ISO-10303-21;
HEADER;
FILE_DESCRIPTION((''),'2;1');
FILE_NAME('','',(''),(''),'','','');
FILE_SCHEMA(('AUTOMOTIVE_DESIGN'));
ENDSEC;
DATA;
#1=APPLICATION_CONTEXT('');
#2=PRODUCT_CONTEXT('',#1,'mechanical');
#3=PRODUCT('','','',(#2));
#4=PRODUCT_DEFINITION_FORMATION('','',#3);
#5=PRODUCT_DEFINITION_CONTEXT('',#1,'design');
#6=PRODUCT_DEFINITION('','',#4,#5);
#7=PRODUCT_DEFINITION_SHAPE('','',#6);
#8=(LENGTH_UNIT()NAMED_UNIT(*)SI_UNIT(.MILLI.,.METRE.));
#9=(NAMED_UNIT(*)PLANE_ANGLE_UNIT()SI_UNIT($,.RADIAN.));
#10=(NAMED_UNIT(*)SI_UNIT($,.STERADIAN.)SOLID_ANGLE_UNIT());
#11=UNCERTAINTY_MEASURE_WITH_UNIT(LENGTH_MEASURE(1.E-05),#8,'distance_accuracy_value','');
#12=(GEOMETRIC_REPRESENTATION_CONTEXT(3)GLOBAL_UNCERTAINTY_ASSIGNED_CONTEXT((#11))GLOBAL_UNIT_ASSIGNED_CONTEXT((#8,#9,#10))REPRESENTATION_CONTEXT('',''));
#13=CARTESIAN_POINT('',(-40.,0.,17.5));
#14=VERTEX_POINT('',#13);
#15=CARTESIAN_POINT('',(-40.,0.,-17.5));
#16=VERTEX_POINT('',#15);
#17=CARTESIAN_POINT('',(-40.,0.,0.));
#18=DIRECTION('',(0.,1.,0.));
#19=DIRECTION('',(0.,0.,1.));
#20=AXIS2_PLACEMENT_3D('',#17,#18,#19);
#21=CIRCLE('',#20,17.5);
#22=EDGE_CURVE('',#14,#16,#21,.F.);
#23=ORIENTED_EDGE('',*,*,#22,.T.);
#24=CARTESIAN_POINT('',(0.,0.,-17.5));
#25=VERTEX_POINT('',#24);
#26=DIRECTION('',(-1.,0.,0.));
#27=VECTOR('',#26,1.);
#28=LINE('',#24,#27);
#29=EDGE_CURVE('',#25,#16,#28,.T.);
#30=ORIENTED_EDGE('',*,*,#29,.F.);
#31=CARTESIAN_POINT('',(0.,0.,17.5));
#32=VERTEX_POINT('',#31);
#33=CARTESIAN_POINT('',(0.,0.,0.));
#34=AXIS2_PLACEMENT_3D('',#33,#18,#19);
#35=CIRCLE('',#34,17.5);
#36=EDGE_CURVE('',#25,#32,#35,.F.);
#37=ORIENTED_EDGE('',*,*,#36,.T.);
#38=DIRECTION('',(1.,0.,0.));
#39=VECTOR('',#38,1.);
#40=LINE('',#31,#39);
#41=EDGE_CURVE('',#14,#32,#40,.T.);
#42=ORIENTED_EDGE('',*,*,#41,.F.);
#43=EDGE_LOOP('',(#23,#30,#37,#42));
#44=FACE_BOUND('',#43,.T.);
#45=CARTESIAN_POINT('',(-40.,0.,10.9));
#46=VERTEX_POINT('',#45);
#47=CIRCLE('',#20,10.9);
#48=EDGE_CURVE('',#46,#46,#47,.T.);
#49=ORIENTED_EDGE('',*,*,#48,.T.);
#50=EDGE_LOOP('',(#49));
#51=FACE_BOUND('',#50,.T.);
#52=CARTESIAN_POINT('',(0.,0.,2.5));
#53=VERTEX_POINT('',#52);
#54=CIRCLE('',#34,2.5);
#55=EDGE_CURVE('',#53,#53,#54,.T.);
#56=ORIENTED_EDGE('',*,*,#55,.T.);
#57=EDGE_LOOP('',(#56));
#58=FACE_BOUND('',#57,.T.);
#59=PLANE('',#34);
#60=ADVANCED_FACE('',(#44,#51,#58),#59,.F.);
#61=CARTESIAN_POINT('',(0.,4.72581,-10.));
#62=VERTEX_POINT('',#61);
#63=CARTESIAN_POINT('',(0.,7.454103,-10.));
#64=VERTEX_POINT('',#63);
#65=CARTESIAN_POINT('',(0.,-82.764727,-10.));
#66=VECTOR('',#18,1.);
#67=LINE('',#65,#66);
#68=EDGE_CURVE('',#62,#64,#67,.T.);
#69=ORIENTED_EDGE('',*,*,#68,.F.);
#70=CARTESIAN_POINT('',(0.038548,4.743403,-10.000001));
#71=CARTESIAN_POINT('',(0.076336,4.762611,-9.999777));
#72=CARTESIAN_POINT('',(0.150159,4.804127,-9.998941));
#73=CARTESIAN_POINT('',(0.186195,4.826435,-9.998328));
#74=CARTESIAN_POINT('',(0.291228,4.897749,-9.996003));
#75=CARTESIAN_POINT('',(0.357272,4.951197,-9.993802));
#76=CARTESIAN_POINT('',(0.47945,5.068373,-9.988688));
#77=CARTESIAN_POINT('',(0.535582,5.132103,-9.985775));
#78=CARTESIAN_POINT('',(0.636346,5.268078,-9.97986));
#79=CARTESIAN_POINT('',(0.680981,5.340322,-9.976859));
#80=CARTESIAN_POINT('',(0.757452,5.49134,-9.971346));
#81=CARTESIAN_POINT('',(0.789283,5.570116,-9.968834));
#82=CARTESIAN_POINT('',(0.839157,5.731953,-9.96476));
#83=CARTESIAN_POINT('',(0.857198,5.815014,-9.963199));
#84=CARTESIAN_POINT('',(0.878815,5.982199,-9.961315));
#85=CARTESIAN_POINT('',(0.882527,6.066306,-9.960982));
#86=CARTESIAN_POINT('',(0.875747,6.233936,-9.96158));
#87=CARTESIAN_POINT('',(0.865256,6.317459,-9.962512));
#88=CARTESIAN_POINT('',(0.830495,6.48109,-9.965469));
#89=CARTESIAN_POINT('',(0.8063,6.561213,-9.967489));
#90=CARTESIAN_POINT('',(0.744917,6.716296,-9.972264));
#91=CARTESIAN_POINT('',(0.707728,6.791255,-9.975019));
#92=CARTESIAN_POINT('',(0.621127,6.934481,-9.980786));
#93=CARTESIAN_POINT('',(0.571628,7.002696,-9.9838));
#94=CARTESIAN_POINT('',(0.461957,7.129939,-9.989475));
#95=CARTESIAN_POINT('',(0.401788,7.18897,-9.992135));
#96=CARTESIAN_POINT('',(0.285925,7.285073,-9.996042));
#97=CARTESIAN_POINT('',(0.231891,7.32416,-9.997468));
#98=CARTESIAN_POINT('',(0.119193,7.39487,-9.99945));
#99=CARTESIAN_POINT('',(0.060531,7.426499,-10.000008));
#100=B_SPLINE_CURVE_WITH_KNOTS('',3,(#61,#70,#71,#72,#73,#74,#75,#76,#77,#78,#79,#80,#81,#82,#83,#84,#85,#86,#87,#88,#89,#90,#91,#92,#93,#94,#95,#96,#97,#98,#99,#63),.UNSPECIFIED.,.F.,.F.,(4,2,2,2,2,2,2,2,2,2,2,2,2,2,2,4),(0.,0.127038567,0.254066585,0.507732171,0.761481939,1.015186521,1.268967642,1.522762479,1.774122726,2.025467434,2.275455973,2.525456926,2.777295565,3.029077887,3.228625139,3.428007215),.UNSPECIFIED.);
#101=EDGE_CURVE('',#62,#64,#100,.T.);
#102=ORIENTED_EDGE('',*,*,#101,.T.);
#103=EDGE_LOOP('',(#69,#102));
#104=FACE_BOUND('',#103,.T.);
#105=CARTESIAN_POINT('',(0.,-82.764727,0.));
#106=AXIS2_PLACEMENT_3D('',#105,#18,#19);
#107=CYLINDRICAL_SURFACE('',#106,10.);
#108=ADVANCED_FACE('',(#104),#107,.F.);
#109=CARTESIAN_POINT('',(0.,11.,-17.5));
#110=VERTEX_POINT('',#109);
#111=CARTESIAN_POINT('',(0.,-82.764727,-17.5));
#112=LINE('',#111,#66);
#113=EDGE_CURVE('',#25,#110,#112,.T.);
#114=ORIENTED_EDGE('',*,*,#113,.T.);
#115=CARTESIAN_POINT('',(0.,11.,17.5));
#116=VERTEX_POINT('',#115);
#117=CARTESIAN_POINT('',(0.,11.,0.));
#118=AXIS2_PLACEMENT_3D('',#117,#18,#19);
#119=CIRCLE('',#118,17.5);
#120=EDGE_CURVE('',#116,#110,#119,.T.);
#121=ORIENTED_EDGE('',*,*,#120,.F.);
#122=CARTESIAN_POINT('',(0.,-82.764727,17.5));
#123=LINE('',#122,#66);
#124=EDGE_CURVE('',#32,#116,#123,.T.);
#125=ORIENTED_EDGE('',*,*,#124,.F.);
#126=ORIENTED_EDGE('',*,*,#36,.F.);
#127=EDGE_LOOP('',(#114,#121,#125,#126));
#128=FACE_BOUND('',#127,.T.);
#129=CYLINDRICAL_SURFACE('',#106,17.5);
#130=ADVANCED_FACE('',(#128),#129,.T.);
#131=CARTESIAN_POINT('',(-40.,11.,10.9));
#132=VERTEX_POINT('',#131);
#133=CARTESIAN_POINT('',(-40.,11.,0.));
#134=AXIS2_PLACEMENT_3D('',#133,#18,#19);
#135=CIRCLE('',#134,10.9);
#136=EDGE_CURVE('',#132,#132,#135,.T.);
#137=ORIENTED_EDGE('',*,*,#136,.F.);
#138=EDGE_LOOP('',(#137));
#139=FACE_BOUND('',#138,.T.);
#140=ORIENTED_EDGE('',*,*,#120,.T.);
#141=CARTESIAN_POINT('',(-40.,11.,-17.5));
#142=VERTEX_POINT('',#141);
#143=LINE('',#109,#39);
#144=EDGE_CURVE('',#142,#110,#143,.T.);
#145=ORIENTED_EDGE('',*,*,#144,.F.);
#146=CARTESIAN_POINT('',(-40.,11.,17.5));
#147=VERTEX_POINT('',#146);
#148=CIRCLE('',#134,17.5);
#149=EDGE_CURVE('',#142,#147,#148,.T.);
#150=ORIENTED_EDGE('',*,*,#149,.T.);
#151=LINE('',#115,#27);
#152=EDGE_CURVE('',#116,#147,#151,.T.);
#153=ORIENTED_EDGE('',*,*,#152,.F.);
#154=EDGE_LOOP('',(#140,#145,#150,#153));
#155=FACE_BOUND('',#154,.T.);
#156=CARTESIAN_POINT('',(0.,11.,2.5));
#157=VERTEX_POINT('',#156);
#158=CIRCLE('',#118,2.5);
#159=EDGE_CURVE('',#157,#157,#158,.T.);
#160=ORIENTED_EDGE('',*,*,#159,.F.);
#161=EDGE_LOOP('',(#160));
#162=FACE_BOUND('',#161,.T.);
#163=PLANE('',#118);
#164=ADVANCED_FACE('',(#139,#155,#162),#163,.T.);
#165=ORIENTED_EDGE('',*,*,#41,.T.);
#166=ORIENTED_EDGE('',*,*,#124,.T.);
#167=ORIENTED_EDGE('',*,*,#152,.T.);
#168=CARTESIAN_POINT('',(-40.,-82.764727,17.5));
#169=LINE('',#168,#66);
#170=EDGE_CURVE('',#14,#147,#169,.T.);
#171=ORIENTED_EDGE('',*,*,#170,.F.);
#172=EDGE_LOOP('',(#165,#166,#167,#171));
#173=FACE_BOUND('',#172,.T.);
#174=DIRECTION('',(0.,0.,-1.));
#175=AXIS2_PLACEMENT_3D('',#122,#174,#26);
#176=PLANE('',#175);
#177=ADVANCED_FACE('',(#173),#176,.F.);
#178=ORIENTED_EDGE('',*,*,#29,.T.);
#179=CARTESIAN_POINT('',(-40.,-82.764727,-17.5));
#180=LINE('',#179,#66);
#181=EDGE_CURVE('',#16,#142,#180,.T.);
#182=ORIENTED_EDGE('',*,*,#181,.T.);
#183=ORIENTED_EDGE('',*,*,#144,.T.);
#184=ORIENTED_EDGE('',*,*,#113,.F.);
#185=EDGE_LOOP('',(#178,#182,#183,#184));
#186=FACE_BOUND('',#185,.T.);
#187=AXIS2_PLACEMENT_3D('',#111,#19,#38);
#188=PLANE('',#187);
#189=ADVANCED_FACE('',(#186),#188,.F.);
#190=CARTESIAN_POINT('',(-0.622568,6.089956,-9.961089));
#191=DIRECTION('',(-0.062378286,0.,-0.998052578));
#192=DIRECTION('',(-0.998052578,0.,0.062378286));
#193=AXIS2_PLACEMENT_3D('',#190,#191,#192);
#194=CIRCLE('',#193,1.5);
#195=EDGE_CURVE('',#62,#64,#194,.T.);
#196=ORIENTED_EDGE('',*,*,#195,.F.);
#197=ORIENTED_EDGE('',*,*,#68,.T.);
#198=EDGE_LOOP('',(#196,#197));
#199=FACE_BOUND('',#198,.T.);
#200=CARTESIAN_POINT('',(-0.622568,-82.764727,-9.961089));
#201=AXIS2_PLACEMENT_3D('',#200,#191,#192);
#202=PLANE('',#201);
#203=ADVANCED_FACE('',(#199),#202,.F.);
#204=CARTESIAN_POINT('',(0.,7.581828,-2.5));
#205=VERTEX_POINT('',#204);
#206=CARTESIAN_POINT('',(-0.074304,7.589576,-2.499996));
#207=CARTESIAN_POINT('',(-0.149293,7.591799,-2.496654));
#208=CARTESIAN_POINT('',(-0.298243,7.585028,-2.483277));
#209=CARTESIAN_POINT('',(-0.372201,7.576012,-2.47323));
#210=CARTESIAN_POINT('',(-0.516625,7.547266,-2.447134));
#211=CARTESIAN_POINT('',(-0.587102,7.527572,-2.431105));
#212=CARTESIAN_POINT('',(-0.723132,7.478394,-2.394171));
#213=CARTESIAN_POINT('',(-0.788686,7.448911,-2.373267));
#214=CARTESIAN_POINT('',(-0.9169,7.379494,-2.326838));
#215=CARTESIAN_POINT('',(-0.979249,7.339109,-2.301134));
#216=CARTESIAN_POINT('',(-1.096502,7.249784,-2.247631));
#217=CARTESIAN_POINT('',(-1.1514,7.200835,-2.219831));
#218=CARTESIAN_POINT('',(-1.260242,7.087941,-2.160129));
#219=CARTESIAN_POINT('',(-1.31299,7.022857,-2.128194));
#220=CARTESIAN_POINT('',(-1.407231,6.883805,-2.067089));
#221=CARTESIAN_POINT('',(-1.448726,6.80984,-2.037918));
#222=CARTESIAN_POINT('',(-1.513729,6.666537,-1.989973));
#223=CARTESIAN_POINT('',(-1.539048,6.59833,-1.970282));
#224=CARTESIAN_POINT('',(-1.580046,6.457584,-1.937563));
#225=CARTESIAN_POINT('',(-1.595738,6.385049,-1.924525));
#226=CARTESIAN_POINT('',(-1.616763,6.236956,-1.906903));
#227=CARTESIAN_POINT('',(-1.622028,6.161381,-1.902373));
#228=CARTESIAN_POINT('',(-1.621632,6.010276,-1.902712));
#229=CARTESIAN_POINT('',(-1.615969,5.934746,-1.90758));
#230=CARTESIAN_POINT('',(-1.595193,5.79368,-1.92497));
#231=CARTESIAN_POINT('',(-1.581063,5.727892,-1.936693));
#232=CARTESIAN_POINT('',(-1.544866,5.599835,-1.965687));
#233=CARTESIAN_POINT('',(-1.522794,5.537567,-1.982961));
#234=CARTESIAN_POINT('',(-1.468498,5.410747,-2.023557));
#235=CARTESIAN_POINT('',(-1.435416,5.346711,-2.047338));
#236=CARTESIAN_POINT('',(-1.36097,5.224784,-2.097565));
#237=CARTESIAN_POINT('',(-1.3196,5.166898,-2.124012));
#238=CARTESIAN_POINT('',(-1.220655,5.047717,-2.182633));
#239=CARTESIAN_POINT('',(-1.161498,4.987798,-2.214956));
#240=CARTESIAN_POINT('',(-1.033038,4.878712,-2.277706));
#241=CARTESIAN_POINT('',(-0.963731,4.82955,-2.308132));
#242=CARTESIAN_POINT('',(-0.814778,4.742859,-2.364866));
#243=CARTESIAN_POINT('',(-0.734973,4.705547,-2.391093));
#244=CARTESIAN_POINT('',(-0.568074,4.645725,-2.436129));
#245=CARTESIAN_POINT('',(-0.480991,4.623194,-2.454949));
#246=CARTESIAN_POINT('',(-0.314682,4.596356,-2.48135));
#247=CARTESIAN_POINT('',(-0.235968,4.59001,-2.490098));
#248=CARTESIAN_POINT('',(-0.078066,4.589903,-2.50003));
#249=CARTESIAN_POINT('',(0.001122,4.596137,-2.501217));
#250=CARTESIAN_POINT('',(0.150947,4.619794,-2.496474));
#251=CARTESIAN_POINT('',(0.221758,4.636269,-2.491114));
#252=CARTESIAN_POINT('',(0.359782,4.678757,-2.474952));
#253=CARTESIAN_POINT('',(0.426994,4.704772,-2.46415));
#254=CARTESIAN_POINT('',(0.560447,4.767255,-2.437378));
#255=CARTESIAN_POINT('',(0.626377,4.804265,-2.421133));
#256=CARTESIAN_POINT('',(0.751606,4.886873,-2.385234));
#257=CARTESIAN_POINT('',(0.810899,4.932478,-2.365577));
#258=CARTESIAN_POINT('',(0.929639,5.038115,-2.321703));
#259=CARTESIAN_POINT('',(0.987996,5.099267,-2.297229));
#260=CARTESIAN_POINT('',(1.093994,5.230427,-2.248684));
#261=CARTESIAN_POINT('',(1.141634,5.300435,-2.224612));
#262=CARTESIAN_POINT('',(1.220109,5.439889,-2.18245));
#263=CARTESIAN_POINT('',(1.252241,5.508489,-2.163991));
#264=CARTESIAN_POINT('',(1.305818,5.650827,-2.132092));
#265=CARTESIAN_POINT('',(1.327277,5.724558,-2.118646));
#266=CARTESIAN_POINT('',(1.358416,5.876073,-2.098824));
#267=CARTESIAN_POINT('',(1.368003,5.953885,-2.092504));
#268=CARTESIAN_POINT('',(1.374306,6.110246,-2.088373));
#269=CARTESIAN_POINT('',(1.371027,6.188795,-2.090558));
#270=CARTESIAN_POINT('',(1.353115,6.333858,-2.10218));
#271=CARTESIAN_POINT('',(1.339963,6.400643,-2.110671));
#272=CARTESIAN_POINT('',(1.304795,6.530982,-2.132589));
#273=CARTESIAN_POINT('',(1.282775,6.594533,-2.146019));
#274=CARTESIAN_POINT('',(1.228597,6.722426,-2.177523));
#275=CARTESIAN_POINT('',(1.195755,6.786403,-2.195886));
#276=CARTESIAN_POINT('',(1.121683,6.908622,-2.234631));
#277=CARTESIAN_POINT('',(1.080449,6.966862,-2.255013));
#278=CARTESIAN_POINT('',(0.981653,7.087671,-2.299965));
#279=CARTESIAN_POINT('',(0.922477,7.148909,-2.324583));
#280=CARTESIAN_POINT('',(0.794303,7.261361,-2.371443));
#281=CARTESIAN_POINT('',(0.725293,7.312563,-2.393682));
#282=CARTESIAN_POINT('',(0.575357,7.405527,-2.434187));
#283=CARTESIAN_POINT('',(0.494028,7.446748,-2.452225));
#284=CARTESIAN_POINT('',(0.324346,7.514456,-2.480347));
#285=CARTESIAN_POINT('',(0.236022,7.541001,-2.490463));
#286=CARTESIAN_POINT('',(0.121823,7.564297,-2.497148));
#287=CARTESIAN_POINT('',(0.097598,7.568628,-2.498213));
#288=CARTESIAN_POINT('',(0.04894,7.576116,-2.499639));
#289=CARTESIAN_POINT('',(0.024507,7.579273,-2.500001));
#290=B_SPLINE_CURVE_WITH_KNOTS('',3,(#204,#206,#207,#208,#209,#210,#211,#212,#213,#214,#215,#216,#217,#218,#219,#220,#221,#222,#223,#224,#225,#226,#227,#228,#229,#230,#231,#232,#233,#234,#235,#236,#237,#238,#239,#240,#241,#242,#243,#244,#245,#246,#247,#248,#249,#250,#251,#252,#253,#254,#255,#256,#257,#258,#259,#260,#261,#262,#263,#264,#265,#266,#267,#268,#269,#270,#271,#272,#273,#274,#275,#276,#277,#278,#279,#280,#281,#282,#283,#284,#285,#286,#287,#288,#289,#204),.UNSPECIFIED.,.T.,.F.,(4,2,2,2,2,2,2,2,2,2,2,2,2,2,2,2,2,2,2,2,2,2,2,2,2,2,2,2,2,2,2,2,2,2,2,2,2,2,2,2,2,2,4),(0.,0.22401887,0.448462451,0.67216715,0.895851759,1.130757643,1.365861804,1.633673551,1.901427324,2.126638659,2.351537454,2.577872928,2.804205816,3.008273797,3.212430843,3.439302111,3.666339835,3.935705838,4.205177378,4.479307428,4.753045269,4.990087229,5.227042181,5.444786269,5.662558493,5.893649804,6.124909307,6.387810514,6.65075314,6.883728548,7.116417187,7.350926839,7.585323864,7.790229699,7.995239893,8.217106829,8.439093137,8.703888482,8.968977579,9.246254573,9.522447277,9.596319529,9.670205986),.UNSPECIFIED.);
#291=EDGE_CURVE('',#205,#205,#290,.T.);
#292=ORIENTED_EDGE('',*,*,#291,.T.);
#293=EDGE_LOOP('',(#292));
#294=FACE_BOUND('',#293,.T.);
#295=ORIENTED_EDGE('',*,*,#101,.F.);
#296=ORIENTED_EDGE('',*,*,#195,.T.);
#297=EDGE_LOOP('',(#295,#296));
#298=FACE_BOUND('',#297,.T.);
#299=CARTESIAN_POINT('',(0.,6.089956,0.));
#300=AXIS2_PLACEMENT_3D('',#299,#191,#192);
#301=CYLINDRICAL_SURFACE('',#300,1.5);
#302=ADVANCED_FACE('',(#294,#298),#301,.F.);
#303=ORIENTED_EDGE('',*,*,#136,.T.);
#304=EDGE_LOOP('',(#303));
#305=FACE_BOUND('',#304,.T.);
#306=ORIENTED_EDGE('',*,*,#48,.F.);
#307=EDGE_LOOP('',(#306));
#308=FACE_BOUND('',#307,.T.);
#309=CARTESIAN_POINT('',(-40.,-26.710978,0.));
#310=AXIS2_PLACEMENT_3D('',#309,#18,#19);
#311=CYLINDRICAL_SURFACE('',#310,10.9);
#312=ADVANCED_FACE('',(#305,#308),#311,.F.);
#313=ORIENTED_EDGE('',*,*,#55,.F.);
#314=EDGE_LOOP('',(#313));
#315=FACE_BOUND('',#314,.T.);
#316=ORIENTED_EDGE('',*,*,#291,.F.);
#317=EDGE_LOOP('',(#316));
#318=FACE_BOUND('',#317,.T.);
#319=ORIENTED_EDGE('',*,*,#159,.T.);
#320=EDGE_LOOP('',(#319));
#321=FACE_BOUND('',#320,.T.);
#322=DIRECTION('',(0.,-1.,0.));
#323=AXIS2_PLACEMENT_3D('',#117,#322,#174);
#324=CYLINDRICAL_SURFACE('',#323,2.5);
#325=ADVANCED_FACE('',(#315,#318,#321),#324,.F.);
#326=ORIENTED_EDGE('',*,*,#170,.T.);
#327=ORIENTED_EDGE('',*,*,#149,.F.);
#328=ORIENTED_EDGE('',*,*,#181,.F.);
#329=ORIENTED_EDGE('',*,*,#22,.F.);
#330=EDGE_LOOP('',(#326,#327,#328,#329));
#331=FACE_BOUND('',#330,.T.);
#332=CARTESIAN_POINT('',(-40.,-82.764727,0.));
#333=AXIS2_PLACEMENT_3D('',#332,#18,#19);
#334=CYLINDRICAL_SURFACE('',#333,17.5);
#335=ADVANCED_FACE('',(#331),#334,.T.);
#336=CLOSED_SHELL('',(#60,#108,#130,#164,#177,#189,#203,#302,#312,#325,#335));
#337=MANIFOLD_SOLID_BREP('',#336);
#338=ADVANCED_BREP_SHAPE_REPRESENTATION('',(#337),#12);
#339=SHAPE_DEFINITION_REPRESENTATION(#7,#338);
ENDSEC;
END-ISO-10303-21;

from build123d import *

# Parameters (mm, degrees)
SKETCH1_R               = 2
SKETCH1_R_2             = 2.5
BOSS_EXTRUDE1_DEPTH     = 11
CUT_EXTRUDE1_REACH      = 22.585
CUT_EXTRUDE1_END_RADIUS = 2.5
SKETCH2_R               = 1.5
BOSS_EXTRUDE2_DEPTH     = 11
SKETCH4_R               = 10.9
CUT_EXTRUDE2_DEPTH      = 37.710978084


with BuildPart() as part:
    # Sketch1 → Boss-Extrude1 (new body)
    with BuildSketch(Plane(origin=(0, 0, 0), x_dir=(1, 0, 0), z_dir=(0, 1, 0))):
        with BuildLine():
            Line((-1.245136187, 9.922178988), (-40, 7.5))
            ThreePointArc((-40, 7.5), (-47.5, 0), (-40, -7.5))
            Line((-40, -7.5), (-1.245136187, -9.922178988))
            Line((-1.245136187, -9.922178988), (0, -10))
            ThreePointArc((0, -10), (10, 0), (0, 10))
            Line((0, 10), (-1.245136187, 9.922178988))
        make_face()
        with Locations(Location((-40, 0, 0), (0, 0, 270))):  # turned: the seam where the file's is
            Circle(SKETCH1_R, mode=Mode.SUBTRACT)
        with Locations(Location((0, 0, 0), (0, 0, 270))):  # turned: the seam where the file's is
            Circle(SKETCH1_R_2, mode=Mode.SUBTRACT)
    extrude(amount=BOSS_EXTRUDE1_DEPTH)

    # Cut-Extrude1: up to this cylinder (the profile starts outside it)
    cut_extrude1_end = Plane(origin=(0, 6.089956, 0), z_dir=(0, -1, 0)) * Cylinder(CUT_EXTRUDE1_END_RADIUS, 51.17, mode=Mode.PRIVATE)
    # Sketch2 → Cut-Extrude1 (cut, up to the surface)
    with BuildSketch(Plane(origin=(-0.622568093, 0, -9.961089494), x_dir=(-0.998052578, 0, 0.062378286), z_dir=(-0.062378286, 0, -0.998052578)), mode=Mode.PRIVATE) as cut_extrude1_sk1:
        with Locations(Location((0, 6.089956485, 0), (0, 0, 95.967470529))):  # turned: the seam where the file's is
            Circle(SKETCH2_R)
    cut_extrude1_tool1 = extrude(cut_extrude1_sk1.sketch, amount=-CUT_EXTRUDE1_REACH, mode=Mode.PRIVATE) - cut_extrude1_end
    add(cut_extrude1_tool1.solids().sort_by_distance((-0.622568, 6.089956, -9.961089))[0], mode=Mode.SUBTRACT)

    # Sketch3 → Boss-Extrude2 (add)
    with BuildSketch(Plane(origin=(0, 11, 0), x_dir=(1, 0, 0), z_dir=(0, 1, 0))):
        with BuildLine():
            Line((0, -17.5), (-40, -17.5))
            ThreePointArc((-40, -17.5), (-57.5, 0), (-40, 17.5))
            Line((-40, 17.5), (0, 17.5))
            ThreePointArc((0, 17.5), (17.5, 0), (0, -17.5))
        make_face()
        with BuildLine():
            Line((0, 10), (-40, 7.5))
            ThreePointArc((-40, 7.5), (-47.5, 0), (-40, -7.5))
            Line((-40, -7.5), (0, -10))
            ThreePointArc((0, -10), (10, 0), (0, 10))
        make_face(mode=Mode.SUBTRACT)
    extrude(amount=-BOSS_EXTRUDE2_DEPTH)

    # Sketch4 → Cut-Extrude2 (cut)
    with BuildSketch(Plane(origin=(0, 11, 0), x_dir=(1, 0, 0), z_dir=(0, 1, 0))):
        with Locations(Location((-40, 0, 0), (0, 0, 270))):  # turned: the seam where the file's is
            Circle(SKETCH4_R)
    extrude(amount=-CUT_EXTRUDE2_DEPTH, mode=Mode.SUBTRACT)


solid = part.part
